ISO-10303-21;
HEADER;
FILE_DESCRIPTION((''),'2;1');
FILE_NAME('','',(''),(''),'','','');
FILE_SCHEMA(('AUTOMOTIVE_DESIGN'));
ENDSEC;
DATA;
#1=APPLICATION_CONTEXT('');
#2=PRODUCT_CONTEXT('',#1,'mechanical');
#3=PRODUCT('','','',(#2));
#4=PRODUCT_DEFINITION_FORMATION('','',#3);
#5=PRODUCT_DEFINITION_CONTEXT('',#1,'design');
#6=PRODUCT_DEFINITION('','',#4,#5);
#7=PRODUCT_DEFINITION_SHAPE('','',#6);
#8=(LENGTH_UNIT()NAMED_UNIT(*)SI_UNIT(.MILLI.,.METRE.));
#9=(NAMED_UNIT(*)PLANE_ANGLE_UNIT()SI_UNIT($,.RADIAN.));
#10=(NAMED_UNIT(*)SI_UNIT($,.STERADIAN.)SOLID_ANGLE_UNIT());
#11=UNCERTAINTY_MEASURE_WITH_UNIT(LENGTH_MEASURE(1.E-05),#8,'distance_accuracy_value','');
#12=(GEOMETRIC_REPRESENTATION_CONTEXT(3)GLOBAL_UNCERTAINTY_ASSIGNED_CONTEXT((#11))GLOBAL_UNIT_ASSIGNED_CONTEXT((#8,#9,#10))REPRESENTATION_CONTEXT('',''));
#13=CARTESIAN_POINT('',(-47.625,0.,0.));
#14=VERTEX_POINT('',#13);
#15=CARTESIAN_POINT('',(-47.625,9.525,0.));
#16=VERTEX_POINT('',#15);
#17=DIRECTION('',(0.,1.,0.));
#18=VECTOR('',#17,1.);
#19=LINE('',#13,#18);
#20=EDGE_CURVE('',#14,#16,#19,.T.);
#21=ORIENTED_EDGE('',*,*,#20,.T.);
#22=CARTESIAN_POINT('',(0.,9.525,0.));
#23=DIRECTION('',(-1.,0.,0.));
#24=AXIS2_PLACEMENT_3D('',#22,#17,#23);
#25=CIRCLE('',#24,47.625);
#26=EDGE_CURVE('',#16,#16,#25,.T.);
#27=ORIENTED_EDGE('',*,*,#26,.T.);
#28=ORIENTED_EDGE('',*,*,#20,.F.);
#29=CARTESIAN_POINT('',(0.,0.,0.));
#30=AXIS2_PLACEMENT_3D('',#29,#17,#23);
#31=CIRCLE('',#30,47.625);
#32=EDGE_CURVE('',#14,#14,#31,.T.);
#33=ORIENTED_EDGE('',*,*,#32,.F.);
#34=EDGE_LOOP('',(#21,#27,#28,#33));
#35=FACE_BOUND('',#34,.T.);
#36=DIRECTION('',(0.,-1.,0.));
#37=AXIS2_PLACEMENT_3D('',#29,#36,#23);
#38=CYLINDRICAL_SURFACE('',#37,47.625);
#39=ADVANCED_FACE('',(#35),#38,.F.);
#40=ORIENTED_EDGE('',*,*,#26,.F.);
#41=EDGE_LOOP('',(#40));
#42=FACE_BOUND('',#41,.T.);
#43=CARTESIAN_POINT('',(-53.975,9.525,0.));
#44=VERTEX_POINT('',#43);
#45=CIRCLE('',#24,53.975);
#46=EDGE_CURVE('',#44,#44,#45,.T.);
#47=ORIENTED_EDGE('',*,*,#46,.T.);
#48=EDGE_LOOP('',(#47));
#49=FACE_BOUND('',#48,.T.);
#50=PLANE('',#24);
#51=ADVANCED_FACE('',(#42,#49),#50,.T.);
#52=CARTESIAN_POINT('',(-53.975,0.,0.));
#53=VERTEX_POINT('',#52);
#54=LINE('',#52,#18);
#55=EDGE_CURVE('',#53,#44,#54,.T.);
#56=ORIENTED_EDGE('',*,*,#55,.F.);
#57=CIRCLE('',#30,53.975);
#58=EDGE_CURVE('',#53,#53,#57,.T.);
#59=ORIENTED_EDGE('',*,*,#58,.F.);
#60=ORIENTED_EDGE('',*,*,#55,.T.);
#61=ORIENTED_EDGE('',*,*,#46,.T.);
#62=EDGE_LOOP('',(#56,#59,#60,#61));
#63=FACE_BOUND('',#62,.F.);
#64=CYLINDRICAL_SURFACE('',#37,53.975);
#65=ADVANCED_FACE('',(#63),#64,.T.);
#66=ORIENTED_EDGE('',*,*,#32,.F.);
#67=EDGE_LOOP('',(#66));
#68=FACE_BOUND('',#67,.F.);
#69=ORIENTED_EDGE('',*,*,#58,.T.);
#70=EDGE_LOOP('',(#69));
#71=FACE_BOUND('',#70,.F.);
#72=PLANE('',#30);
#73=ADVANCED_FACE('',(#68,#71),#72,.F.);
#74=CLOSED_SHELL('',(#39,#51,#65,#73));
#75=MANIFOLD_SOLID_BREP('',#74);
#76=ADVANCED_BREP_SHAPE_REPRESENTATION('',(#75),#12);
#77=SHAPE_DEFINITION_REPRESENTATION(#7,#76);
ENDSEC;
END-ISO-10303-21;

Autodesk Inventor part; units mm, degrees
ref_plane "YZ Plane" through (0, 0, 0) normal (1, 0, 0) x (0, 1, 0)
ref_plane "XZ Plane" through (0, 0, 0) normal (0, 1, 0) x (-1, 0, 0)
ref_plane "XY Plane" through (0, 0, 0) normal (0, 0, 1) x (1, 0, 0)
sketch "Sketch1" plane through (0, 0, 0) normal (0, 1, 0) x (-1, 0, 0)
  circle A0 centre (0, 0) radius 47.625
  circle A1 centre (0, 0) radius 53.975
  dimension "d0" = 95.25
  dimension "d4" = 6.35
extrude "Extrusion1" add sketch "Sketch1" along normal blind 9.525
properties part number "Ring" material "Stainless Steel"
